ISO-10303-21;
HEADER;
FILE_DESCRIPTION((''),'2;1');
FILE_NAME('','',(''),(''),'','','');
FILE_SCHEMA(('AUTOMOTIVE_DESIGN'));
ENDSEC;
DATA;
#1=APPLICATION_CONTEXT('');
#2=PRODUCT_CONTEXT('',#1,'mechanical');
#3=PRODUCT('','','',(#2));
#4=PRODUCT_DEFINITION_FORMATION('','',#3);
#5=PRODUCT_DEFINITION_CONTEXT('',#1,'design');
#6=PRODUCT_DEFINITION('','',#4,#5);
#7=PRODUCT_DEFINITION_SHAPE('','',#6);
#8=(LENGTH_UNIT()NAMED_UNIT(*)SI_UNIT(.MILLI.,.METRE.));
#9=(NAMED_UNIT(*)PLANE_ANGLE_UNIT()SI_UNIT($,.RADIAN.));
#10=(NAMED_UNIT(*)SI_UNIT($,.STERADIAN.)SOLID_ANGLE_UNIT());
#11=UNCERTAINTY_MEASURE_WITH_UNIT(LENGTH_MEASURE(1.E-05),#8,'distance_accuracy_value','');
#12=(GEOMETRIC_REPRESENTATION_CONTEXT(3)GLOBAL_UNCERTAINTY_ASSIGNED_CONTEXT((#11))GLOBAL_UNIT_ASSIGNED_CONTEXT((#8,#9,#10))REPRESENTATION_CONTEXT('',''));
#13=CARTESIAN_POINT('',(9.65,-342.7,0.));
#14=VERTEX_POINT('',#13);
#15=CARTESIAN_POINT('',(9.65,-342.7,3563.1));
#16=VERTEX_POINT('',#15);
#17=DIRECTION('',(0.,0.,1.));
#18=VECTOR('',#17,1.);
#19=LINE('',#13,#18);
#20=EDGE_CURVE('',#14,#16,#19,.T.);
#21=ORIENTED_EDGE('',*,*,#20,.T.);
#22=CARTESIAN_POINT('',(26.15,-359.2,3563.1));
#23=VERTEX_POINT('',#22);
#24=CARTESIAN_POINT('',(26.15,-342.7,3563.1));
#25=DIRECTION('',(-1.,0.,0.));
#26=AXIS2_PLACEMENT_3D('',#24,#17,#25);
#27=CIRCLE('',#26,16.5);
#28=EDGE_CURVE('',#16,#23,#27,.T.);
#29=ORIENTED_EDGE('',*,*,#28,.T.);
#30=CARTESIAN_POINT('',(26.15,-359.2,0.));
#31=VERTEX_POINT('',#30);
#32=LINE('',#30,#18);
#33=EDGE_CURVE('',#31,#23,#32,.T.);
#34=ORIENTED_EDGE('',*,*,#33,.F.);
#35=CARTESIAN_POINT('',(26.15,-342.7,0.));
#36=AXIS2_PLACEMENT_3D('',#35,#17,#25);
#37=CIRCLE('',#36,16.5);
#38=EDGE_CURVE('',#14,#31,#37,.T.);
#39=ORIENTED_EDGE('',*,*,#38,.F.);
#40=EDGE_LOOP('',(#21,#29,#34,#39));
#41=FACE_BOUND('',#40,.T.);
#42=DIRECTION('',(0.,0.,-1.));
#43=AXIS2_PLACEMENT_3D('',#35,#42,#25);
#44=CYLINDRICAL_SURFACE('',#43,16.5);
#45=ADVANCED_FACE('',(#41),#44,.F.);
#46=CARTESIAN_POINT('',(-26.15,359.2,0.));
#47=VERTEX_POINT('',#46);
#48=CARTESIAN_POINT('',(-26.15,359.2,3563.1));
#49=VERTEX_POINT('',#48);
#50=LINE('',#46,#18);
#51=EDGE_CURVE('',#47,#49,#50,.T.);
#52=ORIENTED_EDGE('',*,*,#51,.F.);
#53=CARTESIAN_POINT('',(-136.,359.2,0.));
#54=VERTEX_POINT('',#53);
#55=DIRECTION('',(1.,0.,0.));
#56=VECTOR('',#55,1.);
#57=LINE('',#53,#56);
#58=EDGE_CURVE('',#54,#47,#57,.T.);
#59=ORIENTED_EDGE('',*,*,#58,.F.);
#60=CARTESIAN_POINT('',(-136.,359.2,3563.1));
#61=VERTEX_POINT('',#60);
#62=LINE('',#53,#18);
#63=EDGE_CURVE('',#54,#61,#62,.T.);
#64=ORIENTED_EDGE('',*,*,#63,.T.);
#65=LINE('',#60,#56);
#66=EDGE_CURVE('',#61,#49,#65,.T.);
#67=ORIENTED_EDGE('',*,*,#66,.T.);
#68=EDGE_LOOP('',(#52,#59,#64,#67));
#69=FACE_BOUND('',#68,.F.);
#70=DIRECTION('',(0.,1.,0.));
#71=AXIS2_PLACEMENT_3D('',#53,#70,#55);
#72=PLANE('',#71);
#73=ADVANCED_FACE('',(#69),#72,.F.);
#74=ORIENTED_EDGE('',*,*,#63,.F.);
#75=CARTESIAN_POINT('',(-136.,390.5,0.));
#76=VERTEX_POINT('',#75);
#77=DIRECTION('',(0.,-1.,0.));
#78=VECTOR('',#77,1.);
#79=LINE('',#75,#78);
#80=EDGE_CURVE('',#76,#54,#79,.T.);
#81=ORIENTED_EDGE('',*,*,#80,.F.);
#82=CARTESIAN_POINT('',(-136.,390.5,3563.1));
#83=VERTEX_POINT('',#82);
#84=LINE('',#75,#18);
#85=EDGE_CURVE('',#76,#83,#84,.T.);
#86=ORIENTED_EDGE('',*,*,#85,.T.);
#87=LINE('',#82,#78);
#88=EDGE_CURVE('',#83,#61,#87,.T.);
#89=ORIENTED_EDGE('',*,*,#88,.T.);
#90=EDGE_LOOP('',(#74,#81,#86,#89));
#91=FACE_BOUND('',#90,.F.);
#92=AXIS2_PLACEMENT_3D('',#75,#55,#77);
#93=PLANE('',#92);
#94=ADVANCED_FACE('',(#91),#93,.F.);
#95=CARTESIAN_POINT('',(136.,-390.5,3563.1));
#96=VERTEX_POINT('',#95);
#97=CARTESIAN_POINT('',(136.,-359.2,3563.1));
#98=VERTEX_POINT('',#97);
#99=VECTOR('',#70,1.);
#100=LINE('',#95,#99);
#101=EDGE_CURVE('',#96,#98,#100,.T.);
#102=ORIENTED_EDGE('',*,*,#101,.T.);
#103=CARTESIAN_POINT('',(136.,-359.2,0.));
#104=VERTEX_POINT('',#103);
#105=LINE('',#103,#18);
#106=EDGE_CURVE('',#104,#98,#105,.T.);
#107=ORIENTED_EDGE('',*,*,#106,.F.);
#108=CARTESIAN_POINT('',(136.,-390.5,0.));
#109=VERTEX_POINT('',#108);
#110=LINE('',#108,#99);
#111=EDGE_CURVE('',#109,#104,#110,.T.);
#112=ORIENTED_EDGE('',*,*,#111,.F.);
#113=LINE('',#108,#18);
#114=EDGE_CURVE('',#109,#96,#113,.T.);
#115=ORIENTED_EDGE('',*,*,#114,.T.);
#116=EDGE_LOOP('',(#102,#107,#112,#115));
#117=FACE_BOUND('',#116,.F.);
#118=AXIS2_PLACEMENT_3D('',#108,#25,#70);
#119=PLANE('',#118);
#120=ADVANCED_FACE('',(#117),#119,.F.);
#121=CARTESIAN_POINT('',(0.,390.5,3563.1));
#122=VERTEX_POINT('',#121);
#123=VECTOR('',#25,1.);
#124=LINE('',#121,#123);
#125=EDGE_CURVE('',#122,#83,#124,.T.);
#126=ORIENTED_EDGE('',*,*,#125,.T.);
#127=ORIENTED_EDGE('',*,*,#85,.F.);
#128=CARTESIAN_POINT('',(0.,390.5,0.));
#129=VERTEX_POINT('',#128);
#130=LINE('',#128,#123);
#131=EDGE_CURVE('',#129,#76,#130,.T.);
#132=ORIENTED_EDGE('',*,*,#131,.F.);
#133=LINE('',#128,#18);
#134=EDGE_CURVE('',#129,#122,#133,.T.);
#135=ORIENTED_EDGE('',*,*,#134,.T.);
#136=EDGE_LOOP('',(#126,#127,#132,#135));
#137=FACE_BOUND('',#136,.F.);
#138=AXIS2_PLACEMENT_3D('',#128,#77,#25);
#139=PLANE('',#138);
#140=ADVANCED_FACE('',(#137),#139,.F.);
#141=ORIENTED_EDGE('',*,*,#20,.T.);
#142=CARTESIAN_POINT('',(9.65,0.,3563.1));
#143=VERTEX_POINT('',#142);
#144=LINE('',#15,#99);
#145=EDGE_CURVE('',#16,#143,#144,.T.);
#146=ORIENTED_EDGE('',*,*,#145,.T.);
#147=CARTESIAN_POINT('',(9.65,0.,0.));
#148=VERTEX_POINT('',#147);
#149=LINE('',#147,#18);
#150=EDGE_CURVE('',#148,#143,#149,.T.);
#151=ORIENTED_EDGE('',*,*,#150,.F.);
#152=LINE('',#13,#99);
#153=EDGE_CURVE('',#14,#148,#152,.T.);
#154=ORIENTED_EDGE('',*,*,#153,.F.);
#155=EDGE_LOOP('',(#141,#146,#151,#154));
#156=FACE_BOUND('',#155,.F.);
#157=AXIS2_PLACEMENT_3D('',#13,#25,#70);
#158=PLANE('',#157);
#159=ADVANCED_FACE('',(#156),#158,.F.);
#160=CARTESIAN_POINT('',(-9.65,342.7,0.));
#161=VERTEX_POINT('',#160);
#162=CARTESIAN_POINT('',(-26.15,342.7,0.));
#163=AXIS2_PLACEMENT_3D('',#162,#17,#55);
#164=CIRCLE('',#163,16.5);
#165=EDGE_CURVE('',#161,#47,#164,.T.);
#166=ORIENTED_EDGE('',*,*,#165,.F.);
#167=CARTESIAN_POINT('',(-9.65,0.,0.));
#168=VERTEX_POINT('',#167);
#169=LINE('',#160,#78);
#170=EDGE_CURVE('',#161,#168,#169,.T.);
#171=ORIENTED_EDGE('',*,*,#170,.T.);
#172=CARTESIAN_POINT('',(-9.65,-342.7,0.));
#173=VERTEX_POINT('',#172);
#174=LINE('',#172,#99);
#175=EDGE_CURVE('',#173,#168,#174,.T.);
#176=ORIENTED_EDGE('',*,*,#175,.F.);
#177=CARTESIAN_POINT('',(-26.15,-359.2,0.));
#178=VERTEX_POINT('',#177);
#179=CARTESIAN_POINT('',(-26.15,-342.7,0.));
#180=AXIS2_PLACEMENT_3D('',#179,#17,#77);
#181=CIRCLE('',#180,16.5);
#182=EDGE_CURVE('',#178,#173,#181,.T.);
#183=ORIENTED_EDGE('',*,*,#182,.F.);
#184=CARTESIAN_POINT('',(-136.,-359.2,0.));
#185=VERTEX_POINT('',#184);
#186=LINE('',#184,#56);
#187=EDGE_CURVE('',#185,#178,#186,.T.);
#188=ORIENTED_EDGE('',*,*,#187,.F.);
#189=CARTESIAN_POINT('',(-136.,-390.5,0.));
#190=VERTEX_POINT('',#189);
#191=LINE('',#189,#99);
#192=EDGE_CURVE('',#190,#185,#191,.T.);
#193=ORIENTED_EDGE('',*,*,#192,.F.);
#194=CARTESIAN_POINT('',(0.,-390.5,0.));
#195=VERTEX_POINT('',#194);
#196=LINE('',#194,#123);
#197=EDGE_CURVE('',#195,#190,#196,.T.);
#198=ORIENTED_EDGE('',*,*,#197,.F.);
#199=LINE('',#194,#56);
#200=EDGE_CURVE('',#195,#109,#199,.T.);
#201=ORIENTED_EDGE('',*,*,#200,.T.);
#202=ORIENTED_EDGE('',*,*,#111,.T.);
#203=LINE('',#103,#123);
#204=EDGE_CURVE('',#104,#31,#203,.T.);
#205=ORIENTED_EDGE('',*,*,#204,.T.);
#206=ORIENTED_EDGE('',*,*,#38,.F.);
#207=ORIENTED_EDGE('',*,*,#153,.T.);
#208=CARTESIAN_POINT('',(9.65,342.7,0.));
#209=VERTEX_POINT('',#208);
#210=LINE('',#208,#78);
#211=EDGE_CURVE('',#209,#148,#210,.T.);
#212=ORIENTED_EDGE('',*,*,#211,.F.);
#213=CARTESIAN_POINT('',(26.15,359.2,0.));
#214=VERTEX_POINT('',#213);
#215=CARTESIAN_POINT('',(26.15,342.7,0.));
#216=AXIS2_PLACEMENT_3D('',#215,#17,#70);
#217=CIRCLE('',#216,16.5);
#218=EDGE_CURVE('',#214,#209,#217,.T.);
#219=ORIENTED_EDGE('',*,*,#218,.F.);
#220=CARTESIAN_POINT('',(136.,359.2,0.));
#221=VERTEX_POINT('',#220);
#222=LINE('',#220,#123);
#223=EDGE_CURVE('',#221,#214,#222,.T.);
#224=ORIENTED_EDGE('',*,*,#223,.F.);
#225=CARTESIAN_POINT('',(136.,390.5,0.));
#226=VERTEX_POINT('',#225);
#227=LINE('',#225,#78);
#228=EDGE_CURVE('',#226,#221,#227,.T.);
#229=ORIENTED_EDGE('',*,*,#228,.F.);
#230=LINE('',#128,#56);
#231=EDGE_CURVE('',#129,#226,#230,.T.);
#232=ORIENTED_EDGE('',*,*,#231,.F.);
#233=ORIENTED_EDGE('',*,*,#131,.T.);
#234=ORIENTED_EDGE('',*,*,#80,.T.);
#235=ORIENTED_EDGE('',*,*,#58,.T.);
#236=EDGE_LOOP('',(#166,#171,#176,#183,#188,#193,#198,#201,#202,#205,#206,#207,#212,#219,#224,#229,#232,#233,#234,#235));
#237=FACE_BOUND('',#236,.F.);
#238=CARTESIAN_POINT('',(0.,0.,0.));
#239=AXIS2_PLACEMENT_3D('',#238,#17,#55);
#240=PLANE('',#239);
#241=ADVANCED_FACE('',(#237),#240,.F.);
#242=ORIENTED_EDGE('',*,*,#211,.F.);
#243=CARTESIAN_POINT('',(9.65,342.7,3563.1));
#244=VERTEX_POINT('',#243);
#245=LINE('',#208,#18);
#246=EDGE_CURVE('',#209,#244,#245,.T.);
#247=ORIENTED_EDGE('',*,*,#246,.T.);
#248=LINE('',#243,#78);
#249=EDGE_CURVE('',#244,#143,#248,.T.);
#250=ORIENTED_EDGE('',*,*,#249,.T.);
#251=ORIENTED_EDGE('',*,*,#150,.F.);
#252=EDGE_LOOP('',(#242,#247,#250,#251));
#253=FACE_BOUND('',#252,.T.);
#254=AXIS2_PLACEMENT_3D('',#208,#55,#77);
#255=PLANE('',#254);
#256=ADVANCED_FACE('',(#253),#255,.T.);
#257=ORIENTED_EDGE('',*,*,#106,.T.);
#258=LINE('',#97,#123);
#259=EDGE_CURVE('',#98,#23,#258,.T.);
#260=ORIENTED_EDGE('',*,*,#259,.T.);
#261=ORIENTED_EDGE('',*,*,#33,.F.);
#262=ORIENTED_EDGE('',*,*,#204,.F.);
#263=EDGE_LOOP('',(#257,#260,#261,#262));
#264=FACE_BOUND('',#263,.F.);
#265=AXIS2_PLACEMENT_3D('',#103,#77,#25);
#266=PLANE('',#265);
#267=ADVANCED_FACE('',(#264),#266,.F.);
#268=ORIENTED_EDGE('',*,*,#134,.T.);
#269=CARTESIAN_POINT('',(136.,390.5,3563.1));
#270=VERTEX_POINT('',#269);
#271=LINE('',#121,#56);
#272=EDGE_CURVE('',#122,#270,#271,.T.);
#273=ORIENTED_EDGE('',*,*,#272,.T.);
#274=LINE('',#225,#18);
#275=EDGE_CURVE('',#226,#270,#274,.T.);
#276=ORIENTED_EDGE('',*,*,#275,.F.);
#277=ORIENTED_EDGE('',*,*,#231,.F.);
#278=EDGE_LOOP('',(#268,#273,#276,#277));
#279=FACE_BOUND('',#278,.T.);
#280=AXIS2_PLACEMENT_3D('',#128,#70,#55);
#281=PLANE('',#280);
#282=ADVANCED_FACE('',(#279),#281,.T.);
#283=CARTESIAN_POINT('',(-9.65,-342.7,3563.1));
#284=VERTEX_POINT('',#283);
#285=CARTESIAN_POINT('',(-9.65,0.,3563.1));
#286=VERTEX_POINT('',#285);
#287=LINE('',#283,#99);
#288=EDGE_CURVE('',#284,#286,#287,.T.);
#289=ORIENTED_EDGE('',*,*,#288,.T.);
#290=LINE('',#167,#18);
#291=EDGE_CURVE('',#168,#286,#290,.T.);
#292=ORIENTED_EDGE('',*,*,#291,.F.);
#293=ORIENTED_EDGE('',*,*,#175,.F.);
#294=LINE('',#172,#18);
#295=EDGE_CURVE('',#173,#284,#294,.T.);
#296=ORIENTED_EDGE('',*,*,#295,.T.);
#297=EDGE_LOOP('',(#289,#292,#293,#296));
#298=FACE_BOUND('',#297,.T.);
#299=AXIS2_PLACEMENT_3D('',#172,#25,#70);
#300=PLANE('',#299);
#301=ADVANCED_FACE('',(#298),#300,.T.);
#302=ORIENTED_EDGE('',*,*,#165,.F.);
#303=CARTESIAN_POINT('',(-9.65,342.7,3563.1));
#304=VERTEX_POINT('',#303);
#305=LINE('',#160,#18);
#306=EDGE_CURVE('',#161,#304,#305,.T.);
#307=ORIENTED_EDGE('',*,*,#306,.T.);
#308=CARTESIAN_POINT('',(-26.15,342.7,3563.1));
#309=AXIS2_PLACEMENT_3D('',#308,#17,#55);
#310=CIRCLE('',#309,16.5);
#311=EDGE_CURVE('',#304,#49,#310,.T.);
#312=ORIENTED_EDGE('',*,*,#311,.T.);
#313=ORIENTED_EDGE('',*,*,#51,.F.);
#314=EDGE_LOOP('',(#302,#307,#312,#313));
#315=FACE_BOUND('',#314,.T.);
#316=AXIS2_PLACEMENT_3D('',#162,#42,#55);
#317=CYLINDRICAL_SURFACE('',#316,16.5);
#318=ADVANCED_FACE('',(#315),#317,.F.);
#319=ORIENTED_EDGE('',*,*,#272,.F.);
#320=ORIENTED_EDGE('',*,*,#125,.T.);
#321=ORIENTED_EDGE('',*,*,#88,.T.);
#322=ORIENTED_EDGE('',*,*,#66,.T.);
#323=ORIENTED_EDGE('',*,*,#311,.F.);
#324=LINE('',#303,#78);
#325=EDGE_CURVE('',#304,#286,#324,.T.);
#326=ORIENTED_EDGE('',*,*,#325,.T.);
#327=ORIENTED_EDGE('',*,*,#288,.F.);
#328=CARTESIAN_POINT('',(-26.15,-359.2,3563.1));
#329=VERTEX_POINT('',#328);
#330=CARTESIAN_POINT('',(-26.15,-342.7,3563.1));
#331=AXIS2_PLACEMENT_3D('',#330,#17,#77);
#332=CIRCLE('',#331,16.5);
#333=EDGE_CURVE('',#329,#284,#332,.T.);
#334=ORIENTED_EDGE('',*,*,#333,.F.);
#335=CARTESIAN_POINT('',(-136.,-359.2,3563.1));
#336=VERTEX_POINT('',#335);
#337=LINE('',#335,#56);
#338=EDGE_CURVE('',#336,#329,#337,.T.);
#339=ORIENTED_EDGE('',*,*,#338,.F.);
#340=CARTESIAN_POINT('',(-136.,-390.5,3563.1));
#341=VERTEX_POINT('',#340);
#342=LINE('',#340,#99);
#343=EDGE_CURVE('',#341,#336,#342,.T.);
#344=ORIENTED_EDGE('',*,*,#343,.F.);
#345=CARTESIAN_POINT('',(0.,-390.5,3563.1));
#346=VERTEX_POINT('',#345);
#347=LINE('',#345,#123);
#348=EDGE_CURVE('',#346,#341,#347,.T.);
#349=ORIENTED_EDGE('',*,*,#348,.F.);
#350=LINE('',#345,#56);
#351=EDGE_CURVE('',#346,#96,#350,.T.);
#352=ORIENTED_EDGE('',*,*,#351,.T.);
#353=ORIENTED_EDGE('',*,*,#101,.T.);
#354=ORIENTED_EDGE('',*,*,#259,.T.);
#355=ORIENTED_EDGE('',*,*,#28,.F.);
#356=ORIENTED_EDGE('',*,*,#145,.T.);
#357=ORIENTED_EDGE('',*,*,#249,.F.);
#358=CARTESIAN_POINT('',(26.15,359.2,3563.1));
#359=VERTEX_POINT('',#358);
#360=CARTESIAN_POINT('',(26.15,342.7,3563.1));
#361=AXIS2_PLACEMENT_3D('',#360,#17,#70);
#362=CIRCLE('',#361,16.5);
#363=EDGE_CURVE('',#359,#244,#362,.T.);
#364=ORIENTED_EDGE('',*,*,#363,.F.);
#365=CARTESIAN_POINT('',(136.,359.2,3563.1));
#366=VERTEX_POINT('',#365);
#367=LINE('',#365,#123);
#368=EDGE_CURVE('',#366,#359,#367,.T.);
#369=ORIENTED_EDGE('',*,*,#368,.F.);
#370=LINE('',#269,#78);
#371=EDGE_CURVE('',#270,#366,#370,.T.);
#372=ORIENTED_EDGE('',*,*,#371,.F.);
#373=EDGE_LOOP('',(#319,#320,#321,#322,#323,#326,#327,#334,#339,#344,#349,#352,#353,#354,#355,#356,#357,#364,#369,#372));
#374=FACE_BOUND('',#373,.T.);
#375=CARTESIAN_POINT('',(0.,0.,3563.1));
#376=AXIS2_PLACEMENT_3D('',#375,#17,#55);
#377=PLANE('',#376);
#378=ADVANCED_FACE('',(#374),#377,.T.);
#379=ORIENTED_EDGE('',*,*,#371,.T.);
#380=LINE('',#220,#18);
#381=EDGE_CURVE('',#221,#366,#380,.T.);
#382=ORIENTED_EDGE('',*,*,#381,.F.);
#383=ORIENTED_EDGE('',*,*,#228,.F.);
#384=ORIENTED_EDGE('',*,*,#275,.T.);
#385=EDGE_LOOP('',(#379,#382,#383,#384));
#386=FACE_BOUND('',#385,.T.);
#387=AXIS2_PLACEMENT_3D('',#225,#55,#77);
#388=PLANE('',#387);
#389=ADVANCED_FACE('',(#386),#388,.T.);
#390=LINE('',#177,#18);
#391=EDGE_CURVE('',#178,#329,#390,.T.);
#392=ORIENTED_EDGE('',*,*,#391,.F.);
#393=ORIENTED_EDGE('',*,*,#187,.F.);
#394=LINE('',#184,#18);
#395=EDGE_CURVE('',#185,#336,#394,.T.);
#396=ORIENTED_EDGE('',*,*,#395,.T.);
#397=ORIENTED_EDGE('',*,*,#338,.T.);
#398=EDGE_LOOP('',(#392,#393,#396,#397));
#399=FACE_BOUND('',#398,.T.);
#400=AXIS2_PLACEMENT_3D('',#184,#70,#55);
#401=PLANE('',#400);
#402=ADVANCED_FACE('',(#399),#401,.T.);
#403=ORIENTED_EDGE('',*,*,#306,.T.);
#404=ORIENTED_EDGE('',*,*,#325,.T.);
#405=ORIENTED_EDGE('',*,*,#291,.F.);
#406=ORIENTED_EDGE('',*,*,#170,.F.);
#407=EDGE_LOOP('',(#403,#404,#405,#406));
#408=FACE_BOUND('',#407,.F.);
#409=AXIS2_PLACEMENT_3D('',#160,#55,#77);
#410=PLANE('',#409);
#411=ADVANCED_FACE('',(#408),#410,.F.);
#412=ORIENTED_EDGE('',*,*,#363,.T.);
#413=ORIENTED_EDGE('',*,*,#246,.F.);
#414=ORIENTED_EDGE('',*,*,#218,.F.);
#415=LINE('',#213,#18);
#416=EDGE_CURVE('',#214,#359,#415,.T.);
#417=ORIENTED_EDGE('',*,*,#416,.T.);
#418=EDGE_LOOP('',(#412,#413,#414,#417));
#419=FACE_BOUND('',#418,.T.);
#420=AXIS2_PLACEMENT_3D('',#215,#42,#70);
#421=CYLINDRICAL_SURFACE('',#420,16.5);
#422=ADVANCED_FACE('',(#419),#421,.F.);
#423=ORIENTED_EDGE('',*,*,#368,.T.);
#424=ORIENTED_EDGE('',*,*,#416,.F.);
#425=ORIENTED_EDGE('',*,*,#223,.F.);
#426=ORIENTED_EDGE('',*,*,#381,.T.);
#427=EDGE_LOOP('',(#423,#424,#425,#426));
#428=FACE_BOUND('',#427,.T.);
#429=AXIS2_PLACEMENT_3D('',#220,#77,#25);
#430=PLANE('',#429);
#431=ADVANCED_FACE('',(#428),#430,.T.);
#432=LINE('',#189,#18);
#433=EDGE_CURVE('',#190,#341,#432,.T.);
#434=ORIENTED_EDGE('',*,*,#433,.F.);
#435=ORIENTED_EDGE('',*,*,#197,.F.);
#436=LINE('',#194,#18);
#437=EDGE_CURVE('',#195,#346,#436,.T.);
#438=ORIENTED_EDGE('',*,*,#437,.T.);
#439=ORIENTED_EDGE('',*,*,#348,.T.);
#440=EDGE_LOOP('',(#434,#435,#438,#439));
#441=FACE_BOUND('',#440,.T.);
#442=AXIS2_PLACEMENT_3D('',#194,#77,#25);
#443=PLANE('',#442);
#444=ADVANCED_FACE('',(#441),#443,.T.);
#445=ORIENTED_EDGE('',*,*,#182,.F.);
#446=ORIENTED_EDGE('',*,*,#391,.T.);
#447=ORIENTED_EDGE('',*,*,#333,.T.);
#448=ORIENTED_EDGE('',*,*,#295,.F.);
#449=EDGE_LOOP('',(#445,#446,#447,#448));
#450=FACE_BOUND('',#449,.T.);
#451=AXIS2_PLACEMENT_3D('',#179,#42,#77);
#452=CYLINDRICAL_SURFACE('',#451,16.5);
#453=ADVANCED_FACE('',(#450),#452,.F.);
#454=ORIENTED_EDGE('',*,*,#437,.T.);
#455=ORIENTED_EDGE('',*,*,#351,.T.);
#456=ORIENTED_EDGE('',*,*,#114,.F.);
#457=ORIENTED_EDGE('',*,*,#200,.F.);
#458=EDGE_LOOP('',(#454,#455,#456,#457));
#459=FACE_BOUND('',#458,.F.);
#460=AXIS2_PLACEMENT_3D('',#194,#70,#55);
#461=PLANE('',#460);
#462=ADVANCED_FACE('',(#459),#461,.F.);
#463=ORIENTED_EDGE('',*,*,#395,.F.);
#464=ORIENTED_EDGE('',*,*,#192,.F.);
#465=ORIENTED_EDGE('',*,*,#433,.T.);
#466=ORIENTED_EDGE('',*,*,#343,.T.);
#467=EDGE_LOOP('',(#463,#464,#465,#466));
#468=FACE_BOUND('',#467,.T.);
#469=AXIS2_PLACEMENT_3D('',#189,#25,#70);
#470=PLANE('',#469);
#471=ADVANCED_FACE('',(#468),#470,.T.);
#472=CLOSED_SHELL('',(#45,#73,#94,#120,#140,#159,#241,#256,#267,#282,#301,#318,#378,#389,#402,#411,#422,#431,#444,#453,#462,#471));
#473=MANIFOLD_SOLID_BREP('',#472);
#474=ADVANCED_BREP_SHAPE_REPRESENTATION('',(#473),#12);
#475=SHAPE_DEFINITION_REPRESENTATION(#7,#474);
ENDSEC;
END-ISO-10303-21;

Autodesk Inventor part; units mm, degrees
ref_plane "YZ Plane" through (0, 0, 0) normal (1, 0, 0) x (0, 1, 0)
ref_plane "Start plane" through (0, 0, 0) normal (0, 0, 1) x (1, 0, 0)
ref_plane "End plane" through (0, 0, 3563.1) normal (0, 0, 1) x (1, 0, 0)
sketch "Sketch" plane through (0, 0, 0) normal (0, 0, 1) x (1, 0, 0)
  line L0 (-136, -390.5) -> (-136, -359.2)
  line L1 (-136, -359.2) -> (-26.15, -359.2)
  line L2 (-9.65, -342.7) -> (-9.65, 0)
  line L3 (-9.65, 0) -> (0, 0) construction
  line L4 (0, 0) -> (0, -390.5) construction
  line L5 (0, -390.5) -> (-136, -390.5)
  line L6 (-60, 0) -> (80, 0) construction
  line L7 (0, -60) -> (0, 80) construction
  line L8 (136, -390.5) -> (136, -359.2)
  line L9 (136, -359.2) -> (26.15, -359.2)
  line L10 (9.65, -342.7) -> (9.65, 0)
  line L11 (9.65, 0) -> (0, 0) construction
  line L12 (0, -390.5) -> (136, -390.5)
  line L13 (-136, 390.5) -> (-136, 359.2)
  line L14 (-136, 359.2) -> (-26.15, 359.2)
  line L15 (-9.65, 342.7) -> (-9.65, 0)
  line L16 (0, 390.5) -> (-136, 390.5)
  line L17 (136, 390.5) -> (136, 359.2)
  line L18 (136, 359.2) -> (26.15, 359.2)
  line L19 (0, 390.5) -> (136, 390.5)
  line L20 (9.65, 342.7) -> (9.65, 0)
  arc A0 (-9.65, 342.7) -> (-26.15, 359.2) centre (-26.15, 342.7) ccw
  arc A1 (26.15, 359.2) -> (9.65, 342.7) centre (26.15, 342.7) ccw
  arc A2 (9.65, -342.7) -> (26.15, -359.2) centre (26.15, -342.7) ccw
  arc A3 (-26.15, -359.2) -> (-9.65, -342.7) centre (-26.15, -342.7) ccw
  line L21 (0, 108) -> (0, -88) construction
  line L22 (-88, 0) -> (108, 0) construction
  point P0 (-9.65, -359.2)
  point P1 (9.65, -359.2)
  point P2 (-9.65, 359.2)
  point P3 (9.65, 359.2)
  dimension "d1" = 390.5
  dimension "d2" = 31.3
  dimension "d3" = 136
  dimension "d4" = 9.65
  dimension "d10" = 16.5
extrude "Body" add sketch "Sketch" along normal up to surface (3563.1 mm away) from surface at 0
sketch "Sketch4" plane through (0, 0, 0) normal (0, 0, 1) x (1, 0, 0)
  line L0 (0, 0) -> (10, 0)
ref_plane "Work Plane3" through (0, 0, 0) normal (0, -1, 0) x (1, 0, 0)
sketch "Sketch5" plane through (0, 0, 0) normal (0, -1, 0) x (1, 0, 0)
  line L0 (-2, 0) -> (12, 0) projected
  line L1 (-2, 3563.1) -> (12, 3563.1) projected
  dimension "d14" = 3563.1
equation "\"d1\" = 0.5 * G_H"
equation "\"d2\" = G_T1"
equation "\"d3\" = 0.5 * G_W"
equation "\"d4\" = 0.5 * G_T"
equation "\"d10\" = G_IR"
equation "\"d5\" = G_L"
equation "\"G_W\" = 272"
equation "\"G_H\" = 781"
equation "\"G_T\" = 19.3"
equation "\"G_T1\" = 31.3"
equation "\"G_IR\" = 16.5"
equation "\"G_L\" = d14"
equation "\"G_OFFSET_START\" = 0"
equation "\"G_OFFSET_END\" = 0"
equation "\"d12\" = G_OFFSET_END + B_L"
equation "\"B_L\" = 3563.1"
properties part number "AS 3679-1990 - 760 UB - 244 - 3563.1" material "Steel, Mild"
